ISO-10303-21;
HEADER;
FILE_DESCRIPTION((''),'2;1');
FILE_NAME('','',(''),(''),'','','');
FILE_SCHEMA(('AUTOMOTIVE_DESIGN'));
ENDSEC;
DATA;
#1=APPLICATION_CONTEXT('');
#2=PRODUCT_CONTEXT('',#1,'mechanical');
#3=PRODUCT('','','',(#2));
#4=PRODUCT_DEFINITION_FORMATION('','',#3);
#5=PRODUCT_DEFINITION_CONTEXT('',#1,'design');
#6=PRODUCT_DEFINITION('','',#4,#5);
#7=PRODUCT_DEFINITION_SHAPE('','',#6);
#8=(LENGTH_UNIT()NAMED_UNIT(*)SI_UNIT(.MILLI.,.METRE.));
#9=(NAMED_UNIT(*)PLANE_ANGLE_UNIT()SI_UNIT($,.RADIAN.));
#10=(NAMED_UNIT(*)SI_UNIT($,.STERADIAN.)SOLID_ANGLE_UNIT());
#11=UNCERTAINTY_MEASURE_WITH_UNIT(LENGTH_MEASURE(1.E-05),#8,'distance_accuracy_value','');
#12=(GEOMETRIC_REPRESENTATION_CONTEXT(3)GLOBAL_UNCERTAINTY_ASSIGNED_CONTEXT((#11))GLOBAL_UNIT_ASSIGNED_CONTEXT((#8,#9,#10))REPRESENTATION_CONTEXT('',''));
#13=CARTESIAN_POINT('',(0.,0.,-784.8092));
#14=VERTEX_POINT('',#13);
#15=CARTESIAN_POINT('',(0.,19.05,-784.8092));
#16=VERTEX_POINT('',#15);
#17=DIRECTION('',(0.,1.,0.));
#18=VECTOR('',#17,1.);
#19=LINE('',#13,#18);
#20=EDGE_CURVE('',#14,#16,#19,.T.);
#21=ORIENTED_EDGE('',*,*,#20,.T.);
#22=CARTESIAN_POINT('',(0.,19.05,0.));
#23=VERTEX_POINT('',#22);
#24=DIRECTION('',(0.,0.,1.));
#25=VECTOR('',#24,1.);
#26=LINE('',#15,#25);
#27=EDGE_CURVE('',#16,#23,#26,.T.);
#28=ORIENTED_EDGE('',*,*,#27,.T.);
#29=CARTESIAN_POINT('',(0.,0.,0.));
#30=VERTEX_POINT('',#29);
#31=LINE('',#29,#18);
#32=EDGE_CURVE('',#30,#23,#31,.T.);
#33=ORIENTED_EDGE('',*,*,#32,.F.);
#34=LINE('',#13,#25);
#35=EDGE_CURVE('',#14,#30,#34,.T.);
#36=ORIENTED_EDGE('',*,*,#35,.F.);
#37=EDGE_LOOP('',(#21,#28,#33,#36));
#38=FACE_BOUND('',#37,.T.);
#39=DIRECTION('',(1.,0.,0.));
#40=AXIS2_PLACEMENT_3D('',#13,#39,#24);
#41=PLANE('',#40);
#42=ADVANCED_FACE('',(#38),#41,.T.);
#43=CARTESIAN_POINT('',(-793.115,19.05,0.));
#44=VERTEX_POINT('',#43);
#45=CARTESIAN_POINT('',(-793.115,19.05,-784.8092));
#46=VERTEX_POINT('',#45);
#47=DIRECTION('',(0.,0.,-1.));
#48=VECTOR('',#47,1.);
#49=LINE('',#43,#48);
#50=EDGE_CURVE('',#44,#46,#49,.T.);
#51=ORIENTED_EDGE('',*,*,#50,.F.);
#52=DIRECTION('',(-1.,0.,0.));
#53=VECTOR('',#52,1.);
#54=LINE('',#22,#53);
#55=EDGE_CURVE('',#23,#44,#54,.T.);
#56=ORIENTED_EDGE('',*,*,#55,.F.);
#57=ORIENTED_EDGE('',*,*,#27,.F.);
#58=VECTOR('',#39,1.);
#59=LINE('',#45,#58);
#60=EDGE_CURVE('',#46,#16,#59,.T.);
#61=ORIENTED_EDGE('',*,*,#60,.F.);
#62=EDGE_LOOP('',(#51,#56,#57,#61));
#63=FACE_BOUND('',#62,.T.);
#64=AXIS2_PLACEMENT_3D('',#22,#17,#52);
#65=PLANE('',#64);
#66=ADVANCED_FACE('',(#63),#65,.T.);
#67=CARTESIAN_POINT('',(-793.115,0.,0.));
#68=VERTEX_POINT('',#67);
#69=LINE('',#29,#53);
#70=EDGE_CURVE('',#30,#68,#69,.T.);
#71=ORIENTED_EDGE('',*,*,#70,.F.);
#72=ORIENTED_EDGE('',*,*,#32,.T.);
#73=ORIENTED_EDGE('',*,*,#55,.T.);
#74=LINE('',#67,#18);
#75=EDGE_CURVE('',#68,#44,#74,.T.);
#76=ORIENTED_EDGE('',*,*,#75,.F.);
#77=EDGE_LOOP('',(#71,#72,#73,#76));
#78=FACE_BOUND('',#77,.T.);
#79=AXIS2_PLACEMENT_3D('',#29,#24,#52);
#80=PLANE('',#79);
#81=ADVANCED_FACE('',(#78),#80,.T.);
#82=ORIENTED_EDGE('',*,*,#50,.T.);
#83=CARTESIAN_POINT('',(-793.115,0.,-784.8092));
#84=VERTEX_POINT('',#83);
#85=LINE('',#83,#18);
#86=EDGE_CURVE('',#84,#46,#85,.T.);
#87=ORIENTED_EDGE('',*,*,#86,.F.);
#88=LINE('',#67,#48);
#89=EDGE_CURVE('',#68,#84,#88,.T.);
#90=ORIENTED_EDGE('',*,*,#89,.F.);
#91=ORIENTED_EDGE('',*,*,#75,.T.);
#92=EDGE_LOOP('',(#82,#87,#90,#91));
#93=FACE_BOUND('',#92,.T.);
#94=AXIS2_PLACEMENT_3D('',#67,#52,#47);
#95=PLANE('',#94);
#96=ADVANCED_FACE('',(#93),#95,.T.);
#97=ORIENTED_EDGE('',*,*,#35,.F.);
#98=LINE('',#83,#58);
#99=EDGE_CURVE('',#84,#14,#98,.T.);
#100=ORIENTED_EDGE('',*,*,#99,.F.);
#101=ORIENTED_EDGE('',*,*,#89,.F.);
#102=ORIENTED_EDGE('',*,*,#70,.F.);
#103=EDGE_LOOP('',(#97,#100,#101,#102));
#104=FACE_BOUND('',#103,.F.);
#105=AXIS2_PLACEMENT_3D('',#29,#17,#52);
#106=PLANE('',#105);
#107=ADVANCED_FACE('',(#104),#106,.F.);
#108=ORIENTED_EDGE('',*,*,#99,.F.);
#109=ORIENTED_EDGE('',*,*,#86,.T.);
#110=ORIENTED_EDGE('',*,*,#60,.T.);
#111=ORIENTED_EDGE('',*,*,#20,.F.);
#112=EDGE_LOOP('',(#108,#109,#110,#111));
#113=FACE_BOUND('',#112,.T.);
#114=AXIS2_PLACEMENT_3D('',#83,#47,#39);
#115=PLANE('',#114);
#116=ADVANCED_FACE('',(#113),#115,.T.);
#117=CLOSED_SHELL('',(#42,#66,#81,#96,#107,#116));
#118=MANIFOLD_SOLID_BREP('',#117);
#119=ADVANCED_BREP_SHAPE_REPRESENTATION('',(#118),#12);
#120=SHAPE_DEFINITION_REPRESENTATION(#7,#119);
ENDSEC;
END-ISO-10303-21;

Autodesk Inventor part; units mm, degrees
ref_plane "YZ Plane" through (0, 0, 0) normal (1, 0, 0) x (0, 1, 0)
ref_plane "XZ Plane" through (0, 0, 0) normal (0, 1, 0) x (-1, 0, 0)
ref_plane "XY Plane" through (0, 0, 0) normal (0, 0, 1) x (1, 0, 0)
sketch "Sketch1" plane through (0, 0, 0) normal (0, 1, 0) x (-1, 0, 0)
  line L0 (0, 0) -> (793.115, 0)
  line L1 (793.115, 0) -> (793.115, -784.8092)
  line L2 (793.115, -784.8092) -> (0, -784.8092)
  line L3 (0, -784.8092) -> (0, 0)
  dimension "d0" = 793.115
  dimension "d1" = 784.8092
extrude "Extrusion1" add sketch "Sketch1" along normal blind 19.05
properties part number "Tenor Base"
